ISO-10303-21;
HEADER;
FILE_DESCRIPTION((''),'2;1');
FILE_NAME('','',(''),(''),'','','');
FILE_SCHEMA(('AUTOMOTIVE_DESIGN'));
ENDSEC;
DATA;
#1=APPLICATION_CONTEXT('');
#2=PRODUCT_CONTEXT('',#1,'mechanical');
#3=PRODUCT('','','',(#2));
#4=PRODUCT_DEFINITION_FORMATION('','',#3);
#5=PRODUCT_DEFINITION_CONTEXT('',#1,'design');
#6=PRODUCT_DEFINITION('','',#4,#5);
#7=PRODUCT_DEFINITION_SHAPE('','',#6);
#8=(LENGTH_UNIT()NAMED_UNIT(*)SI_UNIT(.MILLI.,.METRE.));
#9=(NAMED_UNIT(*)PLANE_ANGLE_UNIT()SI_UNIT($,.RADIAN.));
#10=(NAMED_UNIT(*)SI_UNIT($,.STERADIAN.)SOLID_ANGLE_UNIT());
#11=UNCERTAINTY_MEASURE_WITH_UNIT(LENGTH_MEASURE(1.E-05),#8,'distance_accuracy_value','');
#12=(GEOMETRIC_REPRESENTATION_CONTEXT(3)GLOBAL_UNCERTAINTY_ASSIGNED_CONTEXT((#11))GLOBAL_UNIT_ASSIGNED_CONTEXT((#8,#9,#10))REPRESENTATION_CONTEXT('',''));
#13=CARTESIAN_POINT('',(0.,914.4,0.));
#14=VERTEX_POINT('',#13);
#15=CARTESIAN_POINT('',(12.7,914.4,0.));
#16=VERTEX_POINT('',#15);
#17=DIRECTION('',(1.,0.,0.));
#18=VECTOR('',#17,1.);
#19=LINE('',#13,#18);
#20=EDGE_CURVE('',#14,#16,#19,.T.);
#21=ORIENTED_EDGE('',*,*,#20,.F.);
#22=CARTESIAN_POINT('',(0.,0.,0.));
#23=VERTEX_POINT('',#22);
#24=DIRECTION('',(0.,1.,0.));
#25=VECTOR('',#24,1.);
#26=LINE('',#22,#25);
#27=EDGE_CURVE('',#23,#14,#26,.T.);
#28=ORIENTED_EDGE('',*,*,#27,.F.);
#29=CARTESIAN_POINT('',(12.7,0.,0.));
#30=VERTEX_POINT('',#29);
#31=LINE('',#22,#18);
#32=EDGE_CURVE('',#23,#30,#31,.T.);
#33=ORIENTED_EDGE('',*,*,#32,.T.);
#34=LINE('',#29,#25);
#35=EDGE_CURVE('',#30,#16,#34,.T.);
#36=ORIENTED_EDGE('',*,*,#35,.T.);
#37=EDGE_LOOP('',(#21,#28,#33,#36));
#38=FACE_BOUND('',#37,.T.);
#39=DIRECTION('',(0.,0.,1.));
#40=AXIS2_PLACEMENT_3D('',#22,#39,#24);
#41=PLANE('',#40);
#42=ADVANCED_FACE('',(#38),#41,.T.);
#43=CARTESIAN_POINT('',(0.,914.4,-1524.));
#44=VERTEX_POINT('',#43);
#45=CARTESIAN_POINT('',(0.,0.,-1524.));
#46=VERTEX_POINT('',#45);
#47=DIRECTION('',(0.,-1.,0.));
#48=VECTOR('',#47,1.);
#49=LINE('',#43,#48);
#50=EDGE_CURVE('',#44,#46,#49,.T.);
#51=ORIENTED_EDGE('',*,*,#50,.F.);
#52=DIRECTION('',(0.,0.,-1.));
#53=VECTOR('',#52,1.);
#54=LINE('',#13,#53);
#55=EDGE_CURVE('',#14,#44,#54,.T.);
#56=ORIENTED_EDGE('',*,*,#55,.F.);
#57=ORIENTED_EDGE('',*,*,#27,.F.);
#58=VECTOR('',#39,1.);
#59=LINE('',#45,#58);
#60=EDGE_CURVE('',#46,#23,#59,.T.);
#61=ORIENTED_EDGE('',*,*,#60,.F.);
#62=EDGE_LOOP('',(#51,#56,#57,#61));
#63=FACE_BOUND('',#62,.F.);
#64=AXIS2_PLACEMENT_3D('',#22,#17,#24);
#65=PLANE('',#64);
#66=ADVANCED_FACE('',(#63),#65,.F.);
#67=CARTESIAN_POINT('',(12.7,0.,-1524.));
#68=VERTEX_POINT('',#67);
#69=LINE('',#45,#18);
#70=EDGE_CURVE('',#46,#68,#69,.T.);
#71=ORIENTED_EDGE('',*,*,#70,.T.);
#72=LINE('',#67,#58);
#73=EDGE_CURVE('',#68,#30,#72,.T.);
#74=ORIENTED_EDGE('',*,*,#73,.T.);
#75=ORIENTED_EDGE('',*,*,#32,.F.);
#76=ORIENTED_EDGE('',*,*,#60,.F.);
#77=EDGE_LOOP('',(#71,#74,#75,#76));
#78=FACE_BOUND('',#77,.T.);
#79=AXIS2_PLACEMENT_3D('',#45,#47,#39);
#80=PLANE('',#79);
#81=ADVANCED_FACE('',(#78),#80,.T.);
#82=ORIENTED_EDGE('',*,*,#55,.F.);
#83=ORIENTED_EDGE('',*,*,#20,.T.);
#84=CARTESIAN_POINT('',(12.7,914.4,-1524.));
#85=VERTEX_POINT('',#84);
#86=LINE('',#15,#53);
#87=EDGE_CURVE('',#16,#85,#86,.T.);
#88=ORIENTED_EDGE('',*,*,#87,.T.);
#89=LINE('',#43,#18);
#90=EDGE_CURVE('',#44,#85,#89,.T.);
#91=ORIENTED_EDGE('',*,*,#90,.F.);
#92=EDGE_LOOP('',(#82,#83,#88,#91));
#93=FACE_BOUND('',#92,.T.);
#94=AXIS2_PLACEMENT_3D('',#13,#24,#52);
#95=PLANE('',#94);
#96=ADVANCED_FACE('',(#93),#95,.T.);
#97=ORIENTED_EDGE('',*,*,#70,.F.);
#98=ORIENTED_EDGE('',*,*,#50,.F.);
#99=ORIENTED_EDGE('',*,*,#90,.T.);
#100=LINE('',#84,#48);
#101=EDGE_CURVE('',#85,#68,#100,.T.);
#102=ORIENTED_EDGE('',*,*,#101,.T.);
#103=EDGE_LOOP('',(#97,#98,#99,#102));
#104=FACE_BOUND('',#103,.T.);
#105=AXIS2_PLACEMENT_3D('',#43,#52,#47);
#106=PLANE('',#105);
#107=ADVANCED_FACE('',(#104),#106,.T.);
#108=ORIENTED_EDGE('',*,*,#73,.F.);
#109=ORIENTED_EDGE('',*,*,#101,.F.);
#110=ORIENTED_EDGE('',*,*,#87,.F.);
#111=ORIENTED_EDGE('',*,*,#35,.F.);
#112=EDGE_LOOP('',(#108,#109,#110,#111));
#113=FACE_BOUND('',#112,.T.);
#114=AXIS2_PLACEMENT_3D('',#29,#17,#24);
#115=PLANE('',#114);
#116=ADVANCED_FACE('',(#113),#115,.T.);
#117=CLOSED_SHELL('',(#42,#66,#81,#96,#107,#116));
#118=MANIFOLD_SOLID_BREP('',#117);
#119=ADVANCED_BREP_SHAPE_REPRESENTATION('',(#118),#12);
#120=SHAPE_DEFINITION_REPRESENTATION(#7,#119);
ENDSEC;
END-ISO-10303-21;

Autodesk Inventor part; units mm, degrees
ref_plane "YZ Plane" through (0, 0, 0) normal (1, 0, 0) x (0, 1, 0)
ref_plane "XZ Plane" through (0, 0, 0) normal (0, 1, 0) x (-1, 0, 0)
ref_plane "XY Plane" through (0, 0, 0) normal (0, 0, 1) x (1, 0, 0)
sketch "Sketch1" plane through (0, 0, 0) normal (1, 0, 0) x (0, 1, 0)
  line L0 (0, 0) -> (914.4, 0)
  line L1 (914.4, 0) -> (914.4, -1524)
  line L2 (914.4, -1524) -> (0, -1524)
  line L3 (0, -1524) -> (0, 0)
  dimension "d0" = 1524
  dimension "d1" = 914.4
extrude "Extrusion1" add sketch "Sketch1" along normal blind 12.7
properties part number "StationBase-ver1-1111-2021" material "Aluminum 6061"
